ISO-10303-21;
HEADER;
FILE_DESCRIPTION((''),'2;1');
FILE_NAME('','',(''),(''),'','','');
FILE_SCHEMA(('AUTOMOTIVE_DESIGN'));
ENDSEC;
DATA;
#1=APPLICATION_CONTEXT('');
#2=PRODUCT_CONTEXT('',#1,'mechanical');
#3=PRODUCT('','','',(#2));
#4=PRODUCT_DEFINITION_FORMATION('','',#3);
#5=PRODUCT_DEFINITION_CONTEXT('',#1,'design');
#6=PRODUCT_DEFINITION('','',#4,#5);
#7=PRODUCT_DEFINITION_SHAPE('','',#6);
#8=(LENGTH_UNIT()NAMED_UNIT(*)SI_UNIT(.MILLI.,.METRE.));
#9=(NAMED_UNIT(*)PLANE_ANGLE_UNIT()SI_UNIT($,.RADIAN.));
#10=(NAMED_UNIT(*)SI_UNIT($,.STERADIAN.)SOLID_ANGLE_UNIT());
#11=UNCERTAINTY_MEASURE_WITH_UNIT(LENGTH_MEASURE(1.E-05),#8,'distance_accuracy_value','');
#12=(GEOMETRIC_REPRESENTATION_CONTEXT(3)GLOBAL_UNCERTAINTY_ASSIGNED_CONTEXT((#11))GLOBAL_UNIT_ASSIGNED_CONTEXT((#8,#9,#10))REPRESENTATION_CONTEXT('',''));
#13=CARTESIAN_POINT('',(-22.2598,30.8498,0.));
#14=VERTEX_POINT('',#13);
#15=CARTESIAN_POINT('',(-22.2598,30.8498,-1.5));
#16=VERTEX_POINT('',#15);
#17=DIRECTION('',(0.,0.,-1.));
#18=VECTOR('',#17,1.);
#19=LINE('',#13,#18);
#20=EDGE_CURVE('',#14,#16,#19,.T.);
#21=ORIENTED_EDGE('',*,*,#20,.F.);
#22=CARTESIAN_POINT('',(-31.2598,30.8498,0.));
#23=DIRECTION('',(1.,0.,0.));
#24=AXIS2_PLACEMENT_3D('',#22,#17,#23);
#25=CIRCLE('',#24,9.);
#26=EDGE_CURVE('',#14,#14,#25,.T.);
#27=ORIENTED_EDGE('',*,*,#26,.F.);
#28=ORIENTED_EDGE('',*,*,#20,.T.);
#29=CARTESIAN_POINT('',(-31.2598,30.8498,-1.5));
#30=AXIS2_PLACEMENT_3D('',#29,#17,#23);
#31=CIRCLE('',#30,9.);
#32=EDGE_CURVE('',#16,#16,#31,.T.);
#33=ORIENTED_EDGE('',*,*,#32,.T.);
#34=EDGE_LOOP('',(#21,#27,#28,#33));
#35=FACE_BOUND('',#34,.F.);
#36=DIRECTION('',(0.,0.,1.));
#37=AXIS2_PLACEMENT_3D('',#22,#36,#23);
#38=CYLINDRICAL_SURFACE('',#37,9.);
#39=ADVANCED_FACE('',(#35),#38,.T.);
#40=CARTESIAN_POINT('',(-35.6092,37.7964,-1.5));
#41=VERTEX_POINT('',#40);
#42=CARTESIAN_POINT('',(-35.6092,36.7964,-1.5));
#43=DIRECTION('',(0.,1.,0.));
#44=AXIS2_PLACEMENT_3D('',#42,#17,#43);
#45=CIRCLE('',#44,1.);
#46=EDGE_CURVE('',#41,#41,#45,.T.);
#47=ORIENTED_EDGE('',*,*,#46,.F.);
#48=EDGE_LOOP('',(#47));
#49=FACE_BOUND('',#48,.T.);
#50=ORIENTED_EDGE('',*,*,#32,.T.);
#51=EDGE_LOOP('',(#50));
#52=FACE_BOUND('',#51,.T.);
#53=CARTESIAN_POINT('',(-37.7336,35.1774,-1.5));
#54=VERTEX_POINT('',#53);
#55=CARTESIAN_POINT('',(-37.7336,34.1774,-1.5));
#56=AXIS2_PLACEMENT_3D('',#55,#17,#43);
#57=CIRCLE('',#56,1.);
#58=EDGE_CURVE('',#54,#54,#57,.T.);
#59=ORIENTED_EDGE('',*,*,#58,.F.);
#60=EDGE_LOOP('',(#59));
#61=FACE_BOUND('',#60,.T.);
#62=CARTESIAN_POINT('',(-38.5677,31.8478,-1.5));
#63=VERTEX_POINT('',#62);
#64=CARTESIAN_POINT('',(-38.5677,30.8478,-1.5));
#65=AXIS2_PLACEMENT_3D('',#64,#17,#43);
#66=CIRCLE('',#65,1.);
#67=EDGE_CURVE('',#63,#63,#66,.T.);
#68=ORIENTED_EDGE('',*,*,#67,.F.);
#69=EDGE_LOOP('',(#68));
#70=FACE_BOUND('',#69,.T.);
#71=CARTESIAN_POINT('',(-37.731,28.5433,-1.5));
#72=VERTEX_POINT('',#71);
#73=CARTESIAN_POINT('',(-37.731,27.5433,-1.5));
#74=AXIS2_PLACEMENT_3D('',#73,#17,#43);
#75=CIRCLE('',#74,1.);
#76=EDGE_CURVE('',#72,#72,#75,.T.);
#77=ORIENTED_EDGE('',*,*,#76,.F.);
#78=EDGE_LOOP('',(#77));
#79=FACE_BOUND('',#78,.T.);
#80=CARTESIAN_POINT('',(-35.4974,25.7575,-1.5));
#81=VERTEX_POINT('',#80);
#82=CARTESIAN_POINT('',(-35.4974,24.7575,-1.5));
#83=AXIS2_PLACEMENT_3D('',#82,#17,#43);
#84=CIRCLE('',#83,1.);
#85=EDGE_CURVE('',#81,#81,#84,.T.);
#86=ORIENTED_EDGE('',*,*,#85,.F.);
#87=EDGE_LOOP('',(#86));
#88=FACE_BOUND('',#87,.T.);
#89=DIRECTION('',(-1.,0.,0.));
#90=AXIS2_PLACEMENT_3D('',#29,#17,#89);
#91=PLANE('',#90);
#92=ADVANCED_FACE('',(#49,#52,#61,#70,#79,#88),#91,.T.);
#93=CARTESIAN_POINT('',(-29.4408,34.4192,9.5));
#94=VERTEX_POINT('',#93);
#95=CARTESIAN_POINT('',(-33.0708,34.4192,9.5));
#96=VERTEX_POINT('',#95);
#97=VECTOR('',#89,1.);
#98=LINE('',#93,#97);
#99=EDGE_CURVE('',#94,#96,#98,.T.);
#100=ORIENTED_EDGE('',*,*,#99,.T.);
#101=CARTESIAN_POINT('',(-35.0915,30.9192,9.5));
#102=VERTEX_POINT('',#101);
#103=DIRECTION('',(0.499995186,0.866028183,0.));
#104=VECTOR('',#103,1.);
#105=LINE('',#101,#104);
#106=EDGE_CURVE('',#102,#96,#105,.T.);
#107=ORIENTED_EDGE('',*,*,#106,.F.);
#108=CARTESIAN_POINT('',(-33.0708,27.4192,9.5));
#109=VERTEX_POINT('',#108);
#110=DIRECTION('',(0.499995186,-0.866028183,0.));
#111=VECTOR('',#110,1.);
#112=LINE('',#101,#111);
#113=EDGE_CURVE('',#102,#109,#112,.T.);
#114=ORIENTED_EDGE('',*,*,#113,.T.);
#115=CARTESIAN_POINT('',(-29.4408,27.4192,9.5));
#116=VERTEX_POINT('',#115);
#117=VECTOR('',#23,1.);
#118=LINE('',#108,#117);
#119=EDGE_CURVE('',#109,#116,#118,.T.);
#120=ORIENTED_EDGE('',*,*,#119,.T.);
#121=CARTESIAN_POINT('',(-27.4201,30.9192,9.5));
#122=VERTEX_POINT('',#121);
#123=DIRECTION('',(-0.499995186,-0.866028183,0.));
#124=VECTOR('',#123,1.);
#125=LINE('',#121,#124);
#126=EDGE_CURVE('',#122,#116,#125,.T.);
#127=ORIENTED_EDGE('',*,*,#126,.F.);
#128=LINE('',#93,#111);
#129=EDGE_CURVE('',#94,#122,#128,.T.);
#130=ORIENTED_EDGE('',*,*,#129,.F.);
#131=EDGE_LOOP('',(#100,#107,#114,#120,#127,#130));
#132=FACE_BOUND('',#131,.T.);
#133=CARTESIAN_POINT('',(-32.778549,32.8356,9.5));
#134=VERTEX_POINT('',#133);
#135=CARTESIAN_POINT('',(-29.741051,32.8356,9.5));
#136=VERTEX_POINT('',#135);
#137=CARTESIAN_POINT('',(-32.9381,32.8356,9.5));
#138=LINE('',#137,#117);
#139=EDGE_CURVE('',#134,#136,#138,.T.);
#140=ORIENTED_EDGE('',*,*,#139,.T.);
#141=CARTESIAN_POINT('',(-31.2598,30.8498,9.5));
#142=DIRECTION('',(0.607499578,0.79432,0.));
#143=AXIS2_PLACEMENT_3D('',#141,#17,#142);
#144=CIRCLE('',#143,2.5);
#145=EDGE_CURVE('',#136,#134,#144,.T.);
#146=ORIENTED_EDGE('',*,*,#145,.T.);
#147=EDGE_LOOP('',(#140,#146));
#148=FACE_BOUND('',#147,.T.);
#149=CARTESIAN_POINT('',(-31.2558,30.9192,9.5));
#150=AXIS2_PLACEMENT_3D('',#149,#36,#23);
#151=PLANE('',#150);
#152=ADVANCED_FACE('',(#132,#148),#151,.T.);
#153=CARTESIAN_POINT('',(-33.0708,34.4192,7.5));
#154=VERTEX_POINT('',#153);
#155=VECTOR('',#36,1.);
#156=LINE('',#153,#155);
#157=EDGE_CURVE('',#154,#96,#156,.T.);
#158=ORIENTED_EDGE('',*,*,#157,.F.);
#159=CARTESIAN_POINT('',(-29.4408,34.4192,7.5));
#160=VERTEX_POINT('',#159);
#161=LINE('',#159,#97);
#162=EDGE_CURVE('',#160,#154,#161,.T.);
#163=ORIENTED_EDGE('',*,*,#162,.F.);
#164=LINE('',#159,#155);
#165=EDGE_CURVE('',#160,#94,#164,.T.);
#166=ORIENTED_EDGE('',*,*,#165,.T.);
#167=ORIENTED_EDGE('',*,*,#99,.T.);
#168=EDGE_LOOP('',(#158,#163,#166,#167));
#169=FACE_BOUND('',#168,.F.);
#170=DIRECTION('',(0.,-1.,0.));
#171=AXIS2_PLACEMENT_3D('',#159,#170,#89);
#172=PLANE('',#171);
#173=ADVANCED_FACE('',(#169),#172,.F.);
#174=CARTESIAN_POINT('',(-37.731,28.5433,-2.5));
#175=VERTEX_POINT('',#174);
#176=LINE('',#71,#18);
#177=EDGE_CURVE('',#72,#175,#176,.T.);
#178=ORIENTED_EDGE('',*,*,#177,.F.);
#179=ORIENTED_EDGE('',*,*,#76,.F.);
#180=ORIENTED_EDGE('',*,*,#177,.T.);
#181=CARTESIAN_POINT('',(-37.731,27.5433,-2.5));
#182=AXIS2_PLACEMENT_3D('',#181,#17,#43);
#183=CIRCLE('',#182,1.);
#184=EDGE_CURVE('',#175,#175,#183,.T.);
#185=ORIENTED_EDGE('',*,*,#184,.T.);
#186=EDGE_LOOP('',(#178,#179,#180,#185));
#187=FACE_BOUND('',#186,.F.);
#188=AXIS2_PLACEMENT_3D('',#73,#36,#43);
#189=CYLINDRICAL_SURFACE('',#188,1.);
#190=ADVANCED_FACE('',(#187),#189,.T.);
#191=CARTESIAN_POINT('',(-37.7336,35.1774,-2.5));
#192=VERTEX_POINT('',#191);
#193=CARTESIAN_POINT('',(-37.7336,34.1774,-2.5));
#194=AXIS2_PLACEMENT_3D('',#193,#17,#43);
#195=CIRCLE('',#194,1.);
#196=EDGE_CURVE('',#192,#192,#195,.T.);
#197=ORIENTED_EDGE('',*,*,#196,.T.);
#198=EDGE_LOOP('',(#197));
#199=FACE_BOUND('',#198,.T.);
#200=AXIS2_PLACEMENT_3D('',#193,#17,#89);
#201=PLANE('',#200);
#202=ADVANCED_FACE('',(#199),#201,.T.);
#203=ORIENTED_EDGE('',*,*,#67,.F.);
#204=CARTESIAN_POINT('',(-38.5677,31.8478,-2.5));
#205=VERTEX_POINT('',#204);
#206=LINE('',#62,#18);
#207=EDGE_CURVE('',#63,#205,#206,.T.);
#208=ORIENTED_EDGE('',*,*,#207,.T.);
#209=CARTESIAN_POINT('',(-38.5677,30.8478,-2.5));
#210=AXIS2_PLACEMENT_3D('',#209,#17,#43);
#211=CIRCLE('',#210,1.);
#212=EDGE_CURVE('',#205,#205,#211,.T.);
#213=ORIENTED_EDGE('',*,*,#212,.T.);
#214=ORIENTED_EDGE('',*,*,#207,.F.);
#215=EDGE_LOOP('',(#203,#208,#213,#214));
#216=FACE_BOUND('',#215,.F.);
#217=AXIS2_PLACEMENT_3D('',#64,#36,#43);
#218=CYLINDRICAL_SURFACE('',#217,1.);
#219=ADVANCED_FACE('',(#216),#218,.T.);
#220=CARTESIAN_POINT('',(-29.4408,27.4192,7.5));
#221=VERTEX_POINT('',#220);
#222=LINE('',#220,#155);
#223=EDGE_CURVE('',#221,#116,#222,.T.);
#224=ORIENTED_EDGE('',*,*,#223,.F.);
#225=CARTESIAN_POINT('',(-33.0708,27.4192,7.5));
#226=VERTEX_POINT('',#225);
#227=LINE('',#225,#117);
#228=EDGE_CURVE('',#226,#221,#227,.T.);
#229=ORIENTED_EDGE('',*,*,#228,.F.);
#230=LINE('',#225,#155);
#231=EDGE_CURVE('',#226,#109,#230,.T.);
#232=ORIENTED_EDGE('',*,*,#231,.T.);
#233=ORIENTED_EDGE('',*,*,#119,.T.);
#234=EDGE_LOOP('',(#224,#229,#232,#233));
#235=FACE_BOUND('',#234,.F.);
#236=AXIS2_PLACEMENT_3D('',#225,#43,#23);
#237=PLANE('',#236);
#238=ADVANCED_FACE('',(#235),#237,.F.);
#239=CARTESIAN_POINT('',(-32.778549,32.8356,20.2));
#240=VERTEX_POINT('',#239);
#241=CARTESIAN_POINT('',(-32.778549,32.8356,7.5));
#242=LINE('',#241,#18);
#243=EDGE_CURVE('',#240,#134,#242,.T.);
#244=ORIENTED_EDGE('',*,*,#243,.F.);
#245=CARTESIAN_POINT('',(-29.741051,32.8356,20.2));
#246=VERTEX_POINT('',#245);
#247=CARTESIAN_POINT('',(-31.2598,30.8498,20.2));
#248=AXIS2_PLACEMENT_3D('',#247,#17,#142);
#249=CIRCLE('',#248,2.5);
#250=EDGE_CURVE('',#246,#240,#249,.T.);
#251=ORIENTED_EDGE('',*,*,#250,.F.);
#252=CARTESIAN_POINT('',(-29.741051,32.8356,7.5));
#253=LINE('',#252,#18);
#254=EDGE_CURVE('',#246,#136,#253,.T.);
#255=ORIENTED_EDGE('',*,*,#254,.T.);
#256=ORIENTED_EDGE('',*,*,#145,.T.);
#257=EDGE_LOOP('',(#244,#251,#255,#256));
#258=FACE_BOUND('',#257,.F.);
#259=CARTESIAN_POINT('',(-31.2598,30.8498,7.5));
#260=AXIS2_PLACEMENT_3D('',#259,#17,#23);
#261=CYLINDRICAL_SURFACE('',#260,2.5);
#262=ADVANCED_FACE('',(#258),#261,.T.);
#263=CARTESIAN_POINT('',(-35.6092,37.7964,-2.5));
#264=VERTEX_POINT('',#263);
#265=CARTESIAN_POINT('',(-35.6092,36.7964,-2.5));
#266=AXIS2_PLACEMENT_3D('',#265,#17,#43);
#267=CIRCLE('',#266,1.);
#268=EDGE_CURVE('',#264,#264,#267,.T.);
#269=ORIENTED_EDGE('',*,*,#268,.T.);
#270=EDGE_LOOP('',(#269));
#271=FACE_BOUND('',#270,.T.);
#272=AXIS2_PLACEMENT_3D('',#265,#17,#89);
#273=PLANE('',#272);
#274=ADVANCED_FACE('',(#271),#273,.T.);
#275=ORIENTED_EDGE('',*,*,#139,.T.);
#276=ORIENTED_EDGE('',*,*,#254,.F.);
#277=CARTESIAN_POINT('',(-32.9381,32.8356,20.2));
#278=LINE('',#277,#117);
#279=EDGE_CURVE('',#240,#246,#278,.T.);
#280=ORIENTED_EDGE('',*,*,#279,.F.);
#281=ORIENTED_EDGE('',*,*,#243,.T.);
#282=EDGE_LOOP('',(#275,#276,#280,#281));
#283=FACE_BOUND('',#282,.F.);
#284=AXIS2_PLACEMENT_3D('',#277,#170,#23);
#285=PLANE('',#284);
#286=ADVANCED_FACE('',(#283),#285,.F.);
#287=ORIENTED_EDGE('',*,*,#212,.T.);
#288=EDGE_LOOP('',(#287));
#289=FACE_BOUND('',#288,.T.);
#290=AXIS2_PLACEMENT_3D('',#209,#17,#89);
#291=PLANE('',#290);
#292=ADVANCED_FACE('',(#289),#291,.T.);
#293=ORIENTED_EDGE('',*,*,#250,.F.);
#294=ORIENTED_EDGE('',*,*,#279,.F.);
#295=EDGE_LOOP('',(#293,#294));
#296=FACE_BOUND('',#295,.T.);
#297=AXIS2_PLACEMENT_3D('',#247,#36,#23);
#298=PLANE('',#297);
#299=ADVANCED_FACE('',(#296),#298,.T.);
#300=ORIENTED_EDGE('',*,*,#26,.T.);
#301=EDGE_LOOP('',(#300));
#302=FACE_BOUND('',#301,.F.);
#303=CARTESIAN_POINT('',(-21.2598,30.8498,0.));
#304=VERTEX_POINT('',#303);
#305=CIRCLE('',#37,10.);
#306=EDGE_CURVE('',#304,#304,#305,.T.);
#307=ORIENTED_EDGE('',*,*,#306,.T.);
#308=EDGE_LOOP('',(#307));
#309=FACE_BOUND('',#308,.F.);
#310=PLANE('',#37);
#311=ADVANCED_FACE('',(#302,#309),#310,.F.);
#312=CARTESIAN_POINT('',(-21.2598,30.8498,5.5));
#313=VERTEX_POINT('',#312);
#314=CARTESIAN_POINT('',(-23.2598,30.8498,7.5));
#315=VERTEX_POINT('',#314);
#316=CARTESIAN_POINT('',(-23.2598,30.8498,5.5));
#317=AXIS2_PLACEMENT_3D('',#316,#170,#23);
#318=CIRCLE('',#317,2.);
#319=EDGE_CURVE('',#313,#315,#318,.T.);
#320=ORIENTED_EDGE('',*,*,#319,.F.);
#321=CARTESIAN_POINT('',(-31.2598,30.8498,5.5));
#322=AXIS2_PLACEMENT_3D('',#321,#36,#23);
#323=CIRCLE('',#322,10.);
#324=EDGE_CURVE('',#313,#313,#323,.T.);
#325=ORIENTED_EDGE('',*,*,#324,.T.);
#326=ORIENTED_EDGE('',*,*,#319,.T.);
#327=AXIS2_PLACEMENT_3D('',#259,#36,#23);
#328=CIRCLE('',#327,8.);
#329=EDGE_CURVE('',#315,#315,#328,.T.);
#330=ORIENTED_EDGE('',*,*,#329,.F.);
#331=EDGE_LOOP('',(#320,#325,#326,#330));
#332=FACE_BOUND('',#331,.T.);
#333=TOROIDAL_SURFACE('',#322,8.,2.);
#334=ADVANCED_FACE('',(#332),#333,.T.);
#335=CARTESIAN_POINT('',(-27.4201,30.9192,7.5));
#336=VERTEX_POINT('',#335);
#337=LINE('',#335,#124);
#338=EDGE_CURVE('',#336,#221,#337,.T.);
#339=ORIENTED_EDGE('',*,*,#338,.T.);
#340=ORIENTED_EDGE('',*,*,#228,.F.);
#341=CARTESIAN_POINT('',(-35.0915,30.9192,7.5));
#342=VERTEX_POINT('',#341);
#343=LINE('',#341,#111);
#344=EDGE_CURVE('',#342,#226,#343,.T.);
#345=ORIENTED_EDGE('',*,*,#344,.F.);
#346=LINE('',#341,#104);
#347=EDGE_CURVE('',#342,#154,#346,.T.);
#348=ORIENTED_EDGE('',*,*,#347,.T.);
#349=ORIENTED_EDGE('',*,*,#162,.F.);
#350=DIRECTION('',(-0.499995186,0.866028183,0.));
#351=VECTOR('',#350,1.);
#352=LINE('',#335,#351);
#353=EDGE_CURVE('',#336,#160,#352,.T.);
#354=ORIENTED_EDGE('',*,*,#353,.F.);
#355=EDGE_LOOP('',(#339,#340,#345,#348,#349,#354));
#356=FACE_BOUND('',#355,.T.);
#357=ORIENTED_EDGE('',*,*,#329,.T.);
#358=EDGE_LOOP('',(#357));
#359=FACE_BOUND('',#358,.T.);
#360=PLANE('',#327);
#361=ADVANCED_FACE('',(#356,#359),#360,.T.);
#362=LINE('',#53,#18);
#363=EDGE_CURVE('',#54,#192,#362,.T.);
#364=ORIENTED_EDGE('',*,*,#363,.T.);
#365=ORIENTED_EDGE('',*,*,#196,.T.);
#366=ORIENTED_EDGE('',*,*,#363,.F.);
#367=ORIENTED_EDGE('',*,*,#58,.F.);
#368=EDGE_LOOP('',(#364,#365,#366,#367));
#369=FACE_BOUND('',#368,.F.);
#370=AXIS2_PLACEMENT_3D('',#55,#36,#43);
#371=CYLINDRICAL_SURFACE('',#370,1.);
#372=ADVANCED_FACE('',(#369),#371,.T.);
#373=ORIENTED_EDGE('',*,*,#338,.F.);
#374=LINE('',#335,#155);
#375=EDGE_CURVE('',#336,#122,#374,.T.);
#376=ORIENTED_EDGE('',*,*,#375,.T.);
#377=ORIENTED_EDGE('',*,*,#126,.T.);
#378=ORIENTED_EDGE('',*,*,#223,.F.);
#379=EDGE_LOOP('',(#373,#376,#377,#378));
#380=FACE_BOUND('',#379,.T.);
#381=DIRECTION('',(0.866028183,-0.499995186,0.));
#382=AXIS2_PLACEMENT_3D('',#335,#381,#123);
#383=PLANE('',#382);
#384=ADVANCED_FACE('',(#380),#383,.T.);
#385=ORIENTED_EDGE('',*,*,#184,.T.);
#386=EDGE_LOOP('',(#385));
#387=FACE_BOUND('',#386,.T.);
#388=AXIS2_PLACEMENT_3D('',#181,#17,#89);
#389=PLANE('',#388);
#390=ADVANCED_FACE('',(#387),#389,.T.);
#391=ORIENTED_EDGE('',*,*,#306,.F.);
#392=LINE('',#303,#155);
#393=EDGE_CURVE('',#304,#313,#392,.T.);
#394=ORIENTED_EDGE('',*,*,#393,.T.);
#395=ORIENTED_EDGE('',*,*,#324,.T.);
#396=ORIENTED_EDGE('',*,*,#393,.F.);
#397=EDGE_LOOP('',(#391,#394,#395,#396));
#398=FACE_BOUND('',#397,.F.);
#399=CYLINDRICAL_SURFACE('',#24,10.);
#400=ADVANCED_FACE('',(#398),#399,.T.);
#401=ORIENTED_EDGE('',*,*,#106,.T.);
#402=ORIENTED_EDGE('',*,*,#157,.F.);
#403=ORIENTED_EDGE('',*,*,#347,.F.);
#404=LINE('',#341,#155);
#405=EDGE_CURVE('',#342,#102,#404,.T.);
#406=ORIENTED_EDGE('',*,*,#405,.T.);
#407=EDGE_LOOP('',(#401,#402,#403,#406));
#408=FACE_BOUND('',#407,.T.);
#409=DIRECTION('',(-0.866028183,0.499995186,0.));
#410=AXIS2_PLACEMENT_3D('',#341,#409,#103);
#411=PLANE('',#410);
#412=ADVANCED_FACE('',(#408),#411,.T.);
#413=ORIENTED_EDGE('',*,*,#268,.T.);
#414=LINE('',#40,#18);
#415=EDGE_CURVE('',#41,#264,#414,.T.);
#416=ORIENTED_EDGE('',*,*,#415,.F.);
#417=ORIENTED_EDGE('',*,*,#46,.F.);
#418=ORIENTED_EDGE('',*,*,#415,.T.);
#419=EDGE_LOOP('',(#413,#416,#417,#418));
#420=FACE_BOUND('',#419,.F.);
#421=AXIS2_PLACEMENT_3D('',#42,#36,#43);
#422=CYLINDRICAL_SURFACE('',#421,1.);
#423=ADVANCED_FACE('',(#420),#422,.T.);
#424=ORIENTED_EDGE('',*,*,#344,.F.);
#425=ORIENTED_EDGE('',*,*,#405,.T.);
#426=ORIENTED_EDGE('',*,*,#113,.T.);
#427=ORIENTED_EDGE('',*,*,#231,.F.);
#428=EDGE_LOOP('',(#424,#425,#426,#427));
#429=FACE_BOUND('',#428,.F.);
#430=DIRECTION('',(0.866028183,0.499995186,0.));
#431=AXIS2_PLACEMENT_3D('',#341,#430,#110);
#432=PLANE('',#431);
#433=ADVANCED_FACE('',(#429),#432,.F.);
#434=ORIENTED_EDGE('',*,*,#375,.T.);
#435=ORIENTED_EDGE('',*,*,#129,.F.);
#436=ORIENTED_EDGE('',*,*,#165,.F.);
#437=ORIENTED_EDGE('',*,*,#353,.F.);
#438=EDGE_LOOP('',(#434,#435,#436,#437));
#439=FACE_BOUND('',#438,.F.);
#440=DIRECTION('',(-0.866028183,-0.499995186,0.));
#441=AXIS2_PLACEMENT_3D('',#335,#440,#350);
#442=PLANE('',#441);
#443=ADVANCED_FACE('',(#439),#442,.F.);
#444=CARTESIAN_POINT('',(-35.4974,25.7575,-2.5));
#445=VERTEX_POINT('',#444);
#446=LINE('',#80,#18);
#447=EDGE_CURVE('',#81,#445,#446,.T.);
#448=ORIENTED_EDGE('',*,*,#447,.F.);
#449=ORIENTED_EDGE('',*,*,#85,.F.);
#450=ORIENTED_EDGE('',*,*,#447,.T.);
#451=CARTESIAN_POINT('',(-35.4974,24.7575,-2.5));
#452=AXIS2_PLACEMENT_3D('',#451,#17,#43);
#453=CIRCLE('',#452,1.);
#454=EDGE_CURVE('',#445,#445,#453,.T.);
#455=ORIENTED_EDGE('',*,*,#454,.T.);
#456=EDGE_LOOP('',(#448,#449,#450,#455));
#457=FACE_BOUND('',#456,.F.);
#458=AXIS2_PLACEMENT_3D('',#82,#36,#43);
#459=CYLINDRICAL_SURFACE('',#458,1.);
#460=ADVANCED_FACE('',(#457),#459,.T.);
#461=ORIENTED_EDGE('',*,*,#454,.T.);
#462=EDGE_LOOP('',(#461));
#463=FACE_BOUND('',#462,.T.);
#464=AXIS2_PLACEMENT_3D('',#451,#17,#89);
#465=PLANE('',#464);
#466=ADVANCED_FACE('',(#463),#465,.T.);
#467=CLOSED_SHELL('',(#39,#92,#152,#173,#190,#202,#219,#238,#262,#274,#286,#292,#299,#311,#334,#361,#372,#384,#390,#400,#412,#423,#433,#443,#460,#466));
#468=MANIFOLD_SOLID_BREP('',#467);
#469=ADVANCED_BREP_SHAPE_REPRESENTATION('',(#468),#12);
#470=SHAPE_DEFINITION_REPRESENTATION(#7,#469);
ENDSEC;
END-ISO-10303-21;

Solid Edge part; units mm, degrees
sketch "Sketch1" plane through (0, 0, 0) normal (0, 0, 1) x (1, 0, 0)
  circle A0 centre (-31.2598, 30.8498) radius 10
  dimension "D1" = 20
extrude "Protrusion1" add sketch "Sketch1" along normal blind 7.5
fillet "Round_1" radius 2 1 edges at (-41.2598, 30.8498, 7.5)
sketch "Sketch2" plane through (-31.2598, 30.8498, 0) normal (0, 0, -1) x (1, 0, 0)
  circle A0 centre (0, 0) radius 9
extrude "ExtrudedProtrusion_2" add sketch "Sketch2" along normal blind 1.5
sketch "Sketch3" plane through (-31.2598, 30.8498, 7.5) normal (0, 0, 1) x (1, 0, 0)
  circle A0 centre (0, 0) radius 2.5
  dimension "D1" = 5
extrude "ExtrudedProtrusion_3" add sketch "Sketch3" along normal blind 12.7
sketch "Sketch4" plane through (-31.2598, 30.8498, 7.5) normal (0, 0, 1) x (1, 0, 0)
  line L0 (1.819, 3.5694) -> (-1.811, 3.5694)
  line L1 (-3.8317, 0.0694) -> (-1.811, 3.5694)
  line L2 (-3.8317, 0.0694) -> (-1.811, -3.4306)
  line L3 (-1.811, -3.4306) -> (1.819, -3.4306)
  line L4 (3.8397, 0.0694) -> (1.819, -3.4306)
  line L5 (3.8397, 0.0694) -> (1.819, 3.5694)
extrude "ExtrudedProtrusion_4" add sketch "Sketch4" along normal blind 2
sketch "Sketch5" plane through (-31.2598, 30.8498, -1.5) normal (0, 0, -1) x (0, 1, 0)
  circle A0 centre (-3.3065, -6.4712) radius 1
  circle A1 centre (3.3276, -6.4738) radius 1
  circle A2 centre (-6.0923, -4.2376) radius 1
  circle A3 centre (5.9466, -4.3494) radius 1
  circle A4 centre (-0.002, -7.3079) radius 1
  dimension "D1" = 2
  dimension "D2" = 2
  dimension "D3" = 2
  dimension "D4" = 2
  dimension "D5" = 2
extrude "ExtrudedProtrusion_5" add sketch "Sketch5" along normal blind 1
sketch "Sketch6" plane through (-31.2598, 30.8498, 20.2) normal (0, 0, 1) x (1, 0, 0)
  line L0 (-1.6783, 1.9858) -> (1.6783, 1.9858)
extrude "Cutout1" cut sketch "Sketch6" against normal up to vertex (10.7 mm away) material side at (-31.2598, 32.8856, 20.2)
